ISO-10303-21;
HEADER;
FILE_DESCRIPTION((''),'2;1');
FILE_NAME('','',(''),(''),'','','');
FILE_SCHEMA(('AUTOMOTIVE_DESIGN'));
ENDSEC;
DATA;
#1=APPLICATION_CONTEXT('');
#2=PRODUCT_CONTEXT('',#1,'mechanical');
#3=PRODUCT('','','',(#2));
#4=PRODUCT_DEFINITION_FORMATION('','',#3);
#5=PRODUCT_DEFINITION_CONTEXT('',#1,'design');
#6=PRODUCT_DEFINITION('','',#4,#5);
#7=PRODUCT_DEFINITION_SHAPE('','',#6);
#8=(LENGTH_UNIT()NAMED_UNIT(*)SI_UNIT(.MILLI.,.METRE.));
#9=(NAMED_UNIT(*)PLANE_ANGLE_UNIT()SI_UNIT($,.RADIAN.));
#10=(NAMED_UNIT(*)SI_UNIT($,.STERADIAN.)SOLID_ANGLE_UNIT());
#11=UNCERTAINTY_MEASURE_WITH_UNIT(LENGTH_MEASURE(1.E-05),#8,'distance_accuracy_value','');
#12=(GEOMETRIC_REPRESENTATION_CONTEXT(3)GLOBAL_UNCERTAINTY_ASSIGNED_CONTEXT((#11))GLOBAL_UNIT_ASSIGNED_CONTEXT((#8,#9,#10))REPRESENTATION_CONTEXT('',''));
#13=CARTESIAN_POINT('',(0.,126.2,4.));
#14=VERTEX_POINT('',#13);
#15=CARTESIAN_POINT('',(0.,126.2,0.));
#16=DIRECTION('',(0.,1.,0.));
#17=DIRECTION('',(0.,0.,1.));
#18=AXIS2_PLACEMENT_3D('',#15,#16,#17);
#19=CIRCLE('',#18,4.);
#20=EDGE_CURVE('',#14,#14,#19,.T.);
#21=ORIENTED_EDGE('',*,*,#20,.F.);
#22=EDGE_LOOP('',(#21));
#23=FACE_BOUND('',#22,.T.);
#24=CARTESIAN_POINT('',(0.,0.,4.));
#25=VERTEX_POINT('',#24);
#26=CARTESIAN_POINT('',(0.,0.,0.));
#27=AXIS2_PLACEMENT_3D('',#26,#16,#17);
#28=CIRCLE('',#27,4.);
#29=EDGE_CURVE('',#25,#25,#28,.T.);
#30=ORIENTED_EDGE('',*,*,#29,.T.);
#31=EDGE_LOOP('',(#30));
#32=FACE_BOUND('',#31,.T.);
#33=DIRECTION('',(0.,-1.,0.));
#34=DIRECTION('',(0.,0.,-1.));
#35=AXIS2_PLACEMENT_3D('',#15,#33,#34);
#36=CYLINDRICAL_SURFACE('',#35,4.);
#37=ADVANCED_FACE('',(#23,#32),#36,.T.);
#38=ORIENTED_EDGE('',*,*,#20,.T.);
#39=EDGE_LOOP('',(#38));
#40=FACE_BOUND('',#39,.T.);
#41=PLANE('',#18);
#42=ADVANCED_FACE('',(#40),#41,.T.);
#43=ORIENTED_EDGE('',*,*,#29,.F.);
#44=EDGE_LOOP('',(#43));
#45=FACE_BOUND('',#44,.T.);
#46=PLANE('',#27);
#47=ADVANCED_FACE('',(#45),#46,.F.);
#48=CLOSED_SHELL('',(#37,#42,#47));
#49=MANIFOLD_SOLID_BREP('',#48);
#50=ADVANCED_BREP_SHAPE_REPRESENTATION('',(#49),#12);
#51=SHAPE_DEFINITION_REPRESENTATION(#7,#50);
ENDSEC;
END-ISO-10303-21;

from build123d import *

# Parameters (mm, degrees)
SKETCH1_R           = 4
BOSS_EXTRUDE1_DEPTH = 126.2


with BuildPart() as part:
    # Sketch1 → Boss-Extrude1 (new body)
    with BuildSketch(Plane(origin=(0, 0, 0), x_dir=(1, 0, 0), z_dir=(0, 1, 0))):
        with Locations(Location((0, 0, 0), (0, 0, 270))):
            Circle(SKETCH1_R)
    extrude(amount=BOSS_EXTRUDE1_DEPTH)


solid = part.part
